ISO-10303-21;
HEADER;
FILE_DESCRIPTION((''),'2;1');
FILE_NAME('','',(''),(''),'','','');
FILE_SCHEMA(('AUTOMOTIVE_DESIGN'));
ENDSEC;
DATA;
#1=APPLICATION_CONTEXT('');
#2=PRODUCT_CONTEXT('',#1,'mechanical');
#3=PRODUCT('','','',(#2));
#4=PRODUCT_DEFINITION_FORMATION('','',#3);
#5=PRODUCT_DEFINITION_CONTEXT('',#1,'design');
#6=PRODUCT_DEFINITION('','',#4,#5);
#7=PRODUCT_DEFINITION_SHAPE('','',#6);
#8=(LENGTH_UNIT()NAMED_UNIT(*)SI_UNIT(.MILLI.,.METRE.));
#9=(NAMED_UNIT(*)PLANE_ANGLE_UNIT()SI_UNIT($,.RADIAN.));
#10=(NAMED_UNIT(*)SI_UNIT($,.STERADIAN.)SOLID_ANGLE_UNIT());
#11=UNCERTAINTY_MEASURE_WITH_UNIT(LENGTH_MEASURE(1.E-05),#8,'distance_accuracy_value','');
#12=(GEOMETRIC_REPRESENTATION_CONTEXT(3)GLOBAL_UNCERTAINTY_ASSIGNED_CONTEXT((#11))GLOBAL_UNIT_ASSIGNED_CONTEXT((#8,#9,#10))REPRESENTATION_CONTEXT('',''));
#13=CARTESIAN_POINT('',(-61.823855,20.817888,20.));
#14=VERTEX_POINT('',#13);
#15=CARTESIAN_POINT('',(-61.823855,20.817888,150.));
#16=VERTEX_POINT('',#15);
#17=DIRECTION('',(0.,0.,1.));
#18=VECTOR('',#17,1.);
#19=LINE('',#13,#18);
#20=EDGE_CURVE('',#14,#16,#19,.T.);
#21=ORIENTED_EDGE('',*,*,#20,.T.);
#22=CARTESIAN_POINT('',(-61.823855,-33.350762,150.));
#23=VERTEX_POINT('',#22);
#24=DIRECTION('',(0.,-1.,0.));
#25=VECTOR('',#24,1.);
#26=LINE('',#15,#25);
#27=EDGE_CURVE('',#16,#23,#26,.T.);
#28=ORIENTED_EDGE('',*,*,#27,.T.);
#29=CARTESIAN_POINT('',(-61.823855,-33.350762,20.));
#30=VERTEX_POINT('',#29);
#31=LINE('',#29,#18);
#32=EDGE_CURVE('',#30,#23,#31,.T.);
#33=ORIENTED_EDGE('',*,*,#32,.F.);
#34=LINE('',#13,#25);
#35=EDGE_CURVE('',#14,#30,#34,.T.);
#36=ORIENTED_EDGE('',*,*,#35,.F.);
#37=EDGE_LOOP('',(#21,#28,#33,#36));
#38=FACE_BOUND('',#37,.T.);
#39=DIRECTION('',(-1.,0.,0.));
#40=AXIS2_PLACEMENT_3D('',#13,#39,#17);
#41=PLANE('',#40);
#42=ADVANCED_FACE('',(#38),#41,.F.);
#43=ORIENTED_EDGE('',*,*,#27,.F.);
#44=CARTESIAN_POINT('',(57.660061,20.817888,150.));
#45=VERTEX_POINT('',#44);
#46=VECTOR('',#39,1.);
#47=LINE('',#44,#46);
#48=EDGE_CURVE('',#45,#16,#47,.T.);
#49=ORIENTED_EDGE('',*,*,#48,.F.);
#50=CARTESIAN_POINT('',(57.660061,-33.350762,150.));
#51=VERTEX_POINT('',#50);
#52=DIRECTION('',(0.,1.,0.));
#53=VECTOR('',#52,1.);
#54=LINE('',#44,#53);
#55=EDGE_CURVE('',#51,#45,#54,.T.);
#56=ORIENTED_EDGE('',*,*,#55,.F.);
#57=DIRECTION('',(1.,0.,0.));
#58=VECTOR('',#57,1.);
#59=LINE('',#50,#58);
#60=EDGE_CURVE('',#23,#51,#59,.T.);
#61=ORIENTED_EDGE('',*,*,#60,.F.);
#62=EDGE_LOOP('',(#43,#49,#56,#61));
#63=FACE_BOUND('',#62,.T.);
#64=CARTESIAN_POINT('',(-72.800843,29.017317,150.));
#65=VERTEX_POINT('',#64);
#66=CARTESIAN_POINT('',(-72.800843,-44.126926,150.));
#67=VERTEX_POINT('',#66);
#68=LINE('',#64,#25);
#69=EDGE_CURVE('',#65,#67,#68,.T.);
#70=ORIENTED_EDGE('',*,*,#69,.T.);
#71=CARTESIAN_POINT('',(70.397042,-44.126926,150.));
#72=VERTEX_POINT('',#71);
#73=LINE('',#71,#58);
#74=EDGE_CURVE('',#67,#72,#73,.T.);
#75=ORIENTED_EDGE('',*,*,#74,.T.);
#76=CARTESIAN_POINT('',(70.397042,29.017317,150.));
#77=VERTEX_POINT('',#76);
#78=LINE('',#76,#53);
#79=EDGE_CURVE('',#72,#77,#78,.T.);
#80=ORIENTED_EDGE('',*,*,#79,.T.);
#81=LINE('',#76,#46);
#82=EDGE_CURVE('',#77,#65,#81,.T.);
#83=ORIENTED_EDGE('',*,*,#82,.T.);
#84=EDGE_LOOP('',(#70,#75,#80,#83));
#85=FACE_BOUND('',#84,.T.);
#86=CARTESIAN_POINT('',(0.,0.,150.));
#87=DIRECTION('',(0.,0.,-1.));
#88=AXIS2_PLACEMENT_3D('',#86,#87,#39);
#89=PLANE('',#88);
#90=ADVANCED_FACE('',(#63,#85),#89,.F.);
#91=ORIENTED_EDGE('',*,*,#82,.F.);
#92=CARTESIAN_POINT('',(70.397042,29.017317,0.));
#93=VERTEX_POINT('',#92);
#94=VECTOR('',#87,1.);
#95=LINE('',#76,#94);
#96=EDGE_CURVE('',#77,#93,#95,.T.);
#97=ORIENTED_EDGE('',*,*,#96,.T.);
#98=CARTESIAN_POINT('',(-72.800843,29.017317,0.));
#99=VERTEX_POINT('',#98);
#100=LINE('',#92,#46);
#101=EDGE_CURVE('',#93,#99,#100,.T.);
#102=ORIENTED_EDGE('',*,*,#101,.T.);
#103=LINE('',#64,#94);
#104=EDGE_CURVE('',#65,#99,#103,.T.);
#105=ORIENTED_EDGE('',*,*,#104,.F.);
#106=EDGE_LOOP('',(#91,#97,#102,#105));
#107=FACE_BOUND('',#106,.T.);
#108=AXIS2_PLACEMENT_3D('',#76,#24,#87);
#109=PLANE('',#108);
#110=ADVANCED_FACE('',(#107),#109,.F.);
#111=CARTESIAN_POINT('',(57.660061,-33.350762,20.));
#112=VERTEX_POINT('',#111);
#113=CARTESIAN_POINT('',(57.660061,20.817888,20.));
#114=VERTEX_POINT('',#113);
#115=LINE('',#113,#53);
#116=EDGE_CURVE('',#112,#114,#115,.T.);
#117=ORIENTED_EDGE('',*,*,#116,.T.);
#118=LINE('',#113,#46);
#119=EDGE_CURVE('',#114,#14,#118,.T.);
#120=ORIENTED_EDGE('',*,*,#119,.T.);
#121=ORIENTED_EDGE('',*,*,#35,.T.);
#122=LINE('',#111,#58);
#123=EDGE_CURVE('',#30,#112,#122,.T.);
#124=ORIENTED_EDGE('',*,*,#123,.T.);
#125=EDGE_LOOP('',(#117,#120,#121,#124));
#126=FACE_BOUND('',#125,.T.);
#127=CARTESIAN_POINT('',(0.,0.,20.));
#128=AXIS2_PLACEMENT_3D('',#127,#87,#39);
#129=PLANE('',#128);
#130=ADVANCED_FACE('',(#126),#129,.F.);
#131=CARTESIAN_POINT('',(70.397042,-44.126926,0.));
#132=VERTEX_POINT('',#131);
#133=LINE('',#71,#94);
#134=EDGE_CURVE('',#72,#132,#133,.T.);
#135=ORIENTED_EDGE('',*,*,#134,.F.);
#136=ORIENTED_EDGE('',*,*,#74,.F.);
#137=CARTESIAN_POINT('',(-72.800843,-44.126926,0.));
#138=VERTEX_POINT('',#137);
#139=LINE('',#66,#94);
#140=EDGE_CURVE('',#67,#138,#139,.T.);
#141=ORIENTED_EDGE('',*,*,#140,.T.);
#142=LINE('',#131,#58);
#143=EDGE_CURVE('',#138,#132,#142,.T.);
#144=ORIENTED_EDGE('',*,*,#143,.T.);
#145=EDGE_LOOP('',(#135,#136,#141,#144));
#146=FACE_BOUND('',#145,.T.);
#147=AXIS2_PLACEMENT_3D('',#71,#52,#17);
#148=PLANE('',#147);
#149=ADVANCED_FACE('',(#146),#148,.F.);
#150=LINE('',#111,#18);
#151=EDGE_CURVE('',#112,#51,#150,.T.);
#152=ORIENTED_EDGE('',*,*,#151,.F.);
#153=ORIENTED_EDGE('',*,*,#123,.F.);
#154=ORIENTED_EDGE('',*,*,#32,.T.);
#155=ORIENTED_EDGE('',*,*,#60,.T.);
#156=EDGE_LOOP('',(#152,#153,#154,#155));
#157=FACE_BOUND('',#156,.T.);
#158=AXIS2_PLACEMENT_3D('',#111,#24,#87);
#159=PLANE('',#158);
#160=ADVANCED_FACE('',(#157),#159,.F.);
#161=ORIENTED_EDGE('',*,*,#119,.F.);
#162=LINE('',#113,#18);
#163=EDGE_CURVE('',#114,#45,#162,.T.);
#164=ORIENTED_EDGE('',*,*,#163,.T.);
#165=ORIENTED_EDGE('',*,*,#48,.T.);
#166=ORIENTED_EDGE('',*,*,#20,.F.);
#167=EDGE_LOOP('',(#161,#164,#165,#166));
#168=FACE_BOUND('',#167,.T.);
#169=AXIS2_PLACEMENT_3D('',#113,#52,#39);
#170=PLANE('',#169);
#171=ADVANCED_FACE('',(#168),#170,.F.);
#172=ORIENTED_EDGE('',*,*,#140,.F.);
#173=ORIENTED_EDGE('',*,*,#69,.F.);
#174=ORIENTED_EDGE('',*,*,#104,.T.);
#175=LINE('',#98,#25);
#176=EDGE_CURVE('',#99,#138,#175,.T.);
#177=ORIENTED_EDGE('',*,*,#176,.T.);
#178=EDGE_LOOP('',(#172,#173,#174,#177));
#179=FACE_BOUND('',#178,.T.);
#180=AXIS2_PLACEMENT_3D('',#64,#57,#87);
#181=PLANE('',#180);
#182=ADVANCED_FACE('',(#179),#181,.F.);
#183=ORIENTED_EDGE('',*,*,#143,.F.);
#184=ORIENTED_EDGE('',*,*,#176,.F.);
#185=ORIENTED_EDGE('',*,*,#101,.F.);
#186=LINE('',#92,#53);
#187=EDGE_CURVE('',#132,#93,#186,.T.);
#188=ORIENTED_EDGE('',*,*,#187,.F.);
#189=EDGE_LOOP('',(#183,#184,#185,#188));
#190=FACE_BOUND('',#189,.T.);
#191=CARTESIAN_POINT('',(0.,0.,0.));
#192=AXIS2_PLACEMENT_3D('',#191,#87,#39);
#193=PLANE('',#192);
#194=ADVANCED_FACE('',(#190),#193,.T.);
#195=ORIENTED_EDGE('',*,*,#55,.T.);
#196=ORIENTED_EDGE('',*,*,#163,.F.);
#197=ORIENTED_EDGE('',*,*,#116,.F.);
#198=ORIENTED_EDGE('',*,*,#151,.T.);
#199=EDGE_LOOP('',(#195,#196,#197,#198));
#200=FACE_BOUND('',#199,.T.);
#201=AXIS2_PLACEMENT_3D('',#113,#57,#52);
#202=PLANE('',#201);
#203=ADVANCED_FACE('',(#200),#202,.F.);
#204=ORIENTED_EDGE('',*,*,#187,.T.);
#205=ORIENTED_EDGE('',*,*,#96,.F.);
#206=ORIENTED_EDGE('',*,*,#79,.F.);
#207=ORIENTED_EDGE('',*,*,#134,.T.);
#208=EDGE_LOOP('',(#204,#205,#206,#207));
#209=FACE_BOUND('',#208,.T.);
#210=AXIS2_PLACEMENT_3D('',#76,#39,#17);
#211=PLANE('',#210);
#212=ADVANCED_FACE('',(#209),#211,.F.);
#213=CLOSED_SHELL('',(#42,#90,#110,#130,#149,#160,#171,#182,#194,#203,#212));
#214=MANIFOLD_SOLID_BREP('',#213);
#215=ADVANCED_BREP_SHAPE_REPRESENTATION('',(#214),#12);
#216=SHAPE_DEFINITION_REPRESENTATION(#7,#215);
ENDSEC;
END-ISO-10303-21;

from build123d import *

# Parameters (mm, degrees)
SKETCH1_W           = 143.197884566
SKETCH1_H           = 73.144243195
BOSS_EXTRUDE1_DEPTH = 150
SKETCH2_W           = 119.483916203
SKETCH2_H           = 54.168649407
CUT_EXTRUDE1_DEPTH  = 130


with BuildPart() as part:
    # Sketch1 → Boss-Extrude1 (new body)
    with BuildSketch(Plane.XY):
        with Locations((-1.20190071, -7.554804462)):
            Rectangle(SKETCH1_W, SKETCH1_H)
    extrude(amount=BOSS_EXTRUDE1_DEPTH)

    # Sketch2 → Cut-Extrude1 (cut)
    with BuildSketch(Plane.XY.offset(150)):
        with Locations((-2.08189682, -6.266436867)):
            Rectangle(SKETCH2_W, SKETCH2_H)
    extrude(amount=-CUT_EXTRUDE1_DEPTH, mode=Mode.SUBTRACT)


solid = part.part
